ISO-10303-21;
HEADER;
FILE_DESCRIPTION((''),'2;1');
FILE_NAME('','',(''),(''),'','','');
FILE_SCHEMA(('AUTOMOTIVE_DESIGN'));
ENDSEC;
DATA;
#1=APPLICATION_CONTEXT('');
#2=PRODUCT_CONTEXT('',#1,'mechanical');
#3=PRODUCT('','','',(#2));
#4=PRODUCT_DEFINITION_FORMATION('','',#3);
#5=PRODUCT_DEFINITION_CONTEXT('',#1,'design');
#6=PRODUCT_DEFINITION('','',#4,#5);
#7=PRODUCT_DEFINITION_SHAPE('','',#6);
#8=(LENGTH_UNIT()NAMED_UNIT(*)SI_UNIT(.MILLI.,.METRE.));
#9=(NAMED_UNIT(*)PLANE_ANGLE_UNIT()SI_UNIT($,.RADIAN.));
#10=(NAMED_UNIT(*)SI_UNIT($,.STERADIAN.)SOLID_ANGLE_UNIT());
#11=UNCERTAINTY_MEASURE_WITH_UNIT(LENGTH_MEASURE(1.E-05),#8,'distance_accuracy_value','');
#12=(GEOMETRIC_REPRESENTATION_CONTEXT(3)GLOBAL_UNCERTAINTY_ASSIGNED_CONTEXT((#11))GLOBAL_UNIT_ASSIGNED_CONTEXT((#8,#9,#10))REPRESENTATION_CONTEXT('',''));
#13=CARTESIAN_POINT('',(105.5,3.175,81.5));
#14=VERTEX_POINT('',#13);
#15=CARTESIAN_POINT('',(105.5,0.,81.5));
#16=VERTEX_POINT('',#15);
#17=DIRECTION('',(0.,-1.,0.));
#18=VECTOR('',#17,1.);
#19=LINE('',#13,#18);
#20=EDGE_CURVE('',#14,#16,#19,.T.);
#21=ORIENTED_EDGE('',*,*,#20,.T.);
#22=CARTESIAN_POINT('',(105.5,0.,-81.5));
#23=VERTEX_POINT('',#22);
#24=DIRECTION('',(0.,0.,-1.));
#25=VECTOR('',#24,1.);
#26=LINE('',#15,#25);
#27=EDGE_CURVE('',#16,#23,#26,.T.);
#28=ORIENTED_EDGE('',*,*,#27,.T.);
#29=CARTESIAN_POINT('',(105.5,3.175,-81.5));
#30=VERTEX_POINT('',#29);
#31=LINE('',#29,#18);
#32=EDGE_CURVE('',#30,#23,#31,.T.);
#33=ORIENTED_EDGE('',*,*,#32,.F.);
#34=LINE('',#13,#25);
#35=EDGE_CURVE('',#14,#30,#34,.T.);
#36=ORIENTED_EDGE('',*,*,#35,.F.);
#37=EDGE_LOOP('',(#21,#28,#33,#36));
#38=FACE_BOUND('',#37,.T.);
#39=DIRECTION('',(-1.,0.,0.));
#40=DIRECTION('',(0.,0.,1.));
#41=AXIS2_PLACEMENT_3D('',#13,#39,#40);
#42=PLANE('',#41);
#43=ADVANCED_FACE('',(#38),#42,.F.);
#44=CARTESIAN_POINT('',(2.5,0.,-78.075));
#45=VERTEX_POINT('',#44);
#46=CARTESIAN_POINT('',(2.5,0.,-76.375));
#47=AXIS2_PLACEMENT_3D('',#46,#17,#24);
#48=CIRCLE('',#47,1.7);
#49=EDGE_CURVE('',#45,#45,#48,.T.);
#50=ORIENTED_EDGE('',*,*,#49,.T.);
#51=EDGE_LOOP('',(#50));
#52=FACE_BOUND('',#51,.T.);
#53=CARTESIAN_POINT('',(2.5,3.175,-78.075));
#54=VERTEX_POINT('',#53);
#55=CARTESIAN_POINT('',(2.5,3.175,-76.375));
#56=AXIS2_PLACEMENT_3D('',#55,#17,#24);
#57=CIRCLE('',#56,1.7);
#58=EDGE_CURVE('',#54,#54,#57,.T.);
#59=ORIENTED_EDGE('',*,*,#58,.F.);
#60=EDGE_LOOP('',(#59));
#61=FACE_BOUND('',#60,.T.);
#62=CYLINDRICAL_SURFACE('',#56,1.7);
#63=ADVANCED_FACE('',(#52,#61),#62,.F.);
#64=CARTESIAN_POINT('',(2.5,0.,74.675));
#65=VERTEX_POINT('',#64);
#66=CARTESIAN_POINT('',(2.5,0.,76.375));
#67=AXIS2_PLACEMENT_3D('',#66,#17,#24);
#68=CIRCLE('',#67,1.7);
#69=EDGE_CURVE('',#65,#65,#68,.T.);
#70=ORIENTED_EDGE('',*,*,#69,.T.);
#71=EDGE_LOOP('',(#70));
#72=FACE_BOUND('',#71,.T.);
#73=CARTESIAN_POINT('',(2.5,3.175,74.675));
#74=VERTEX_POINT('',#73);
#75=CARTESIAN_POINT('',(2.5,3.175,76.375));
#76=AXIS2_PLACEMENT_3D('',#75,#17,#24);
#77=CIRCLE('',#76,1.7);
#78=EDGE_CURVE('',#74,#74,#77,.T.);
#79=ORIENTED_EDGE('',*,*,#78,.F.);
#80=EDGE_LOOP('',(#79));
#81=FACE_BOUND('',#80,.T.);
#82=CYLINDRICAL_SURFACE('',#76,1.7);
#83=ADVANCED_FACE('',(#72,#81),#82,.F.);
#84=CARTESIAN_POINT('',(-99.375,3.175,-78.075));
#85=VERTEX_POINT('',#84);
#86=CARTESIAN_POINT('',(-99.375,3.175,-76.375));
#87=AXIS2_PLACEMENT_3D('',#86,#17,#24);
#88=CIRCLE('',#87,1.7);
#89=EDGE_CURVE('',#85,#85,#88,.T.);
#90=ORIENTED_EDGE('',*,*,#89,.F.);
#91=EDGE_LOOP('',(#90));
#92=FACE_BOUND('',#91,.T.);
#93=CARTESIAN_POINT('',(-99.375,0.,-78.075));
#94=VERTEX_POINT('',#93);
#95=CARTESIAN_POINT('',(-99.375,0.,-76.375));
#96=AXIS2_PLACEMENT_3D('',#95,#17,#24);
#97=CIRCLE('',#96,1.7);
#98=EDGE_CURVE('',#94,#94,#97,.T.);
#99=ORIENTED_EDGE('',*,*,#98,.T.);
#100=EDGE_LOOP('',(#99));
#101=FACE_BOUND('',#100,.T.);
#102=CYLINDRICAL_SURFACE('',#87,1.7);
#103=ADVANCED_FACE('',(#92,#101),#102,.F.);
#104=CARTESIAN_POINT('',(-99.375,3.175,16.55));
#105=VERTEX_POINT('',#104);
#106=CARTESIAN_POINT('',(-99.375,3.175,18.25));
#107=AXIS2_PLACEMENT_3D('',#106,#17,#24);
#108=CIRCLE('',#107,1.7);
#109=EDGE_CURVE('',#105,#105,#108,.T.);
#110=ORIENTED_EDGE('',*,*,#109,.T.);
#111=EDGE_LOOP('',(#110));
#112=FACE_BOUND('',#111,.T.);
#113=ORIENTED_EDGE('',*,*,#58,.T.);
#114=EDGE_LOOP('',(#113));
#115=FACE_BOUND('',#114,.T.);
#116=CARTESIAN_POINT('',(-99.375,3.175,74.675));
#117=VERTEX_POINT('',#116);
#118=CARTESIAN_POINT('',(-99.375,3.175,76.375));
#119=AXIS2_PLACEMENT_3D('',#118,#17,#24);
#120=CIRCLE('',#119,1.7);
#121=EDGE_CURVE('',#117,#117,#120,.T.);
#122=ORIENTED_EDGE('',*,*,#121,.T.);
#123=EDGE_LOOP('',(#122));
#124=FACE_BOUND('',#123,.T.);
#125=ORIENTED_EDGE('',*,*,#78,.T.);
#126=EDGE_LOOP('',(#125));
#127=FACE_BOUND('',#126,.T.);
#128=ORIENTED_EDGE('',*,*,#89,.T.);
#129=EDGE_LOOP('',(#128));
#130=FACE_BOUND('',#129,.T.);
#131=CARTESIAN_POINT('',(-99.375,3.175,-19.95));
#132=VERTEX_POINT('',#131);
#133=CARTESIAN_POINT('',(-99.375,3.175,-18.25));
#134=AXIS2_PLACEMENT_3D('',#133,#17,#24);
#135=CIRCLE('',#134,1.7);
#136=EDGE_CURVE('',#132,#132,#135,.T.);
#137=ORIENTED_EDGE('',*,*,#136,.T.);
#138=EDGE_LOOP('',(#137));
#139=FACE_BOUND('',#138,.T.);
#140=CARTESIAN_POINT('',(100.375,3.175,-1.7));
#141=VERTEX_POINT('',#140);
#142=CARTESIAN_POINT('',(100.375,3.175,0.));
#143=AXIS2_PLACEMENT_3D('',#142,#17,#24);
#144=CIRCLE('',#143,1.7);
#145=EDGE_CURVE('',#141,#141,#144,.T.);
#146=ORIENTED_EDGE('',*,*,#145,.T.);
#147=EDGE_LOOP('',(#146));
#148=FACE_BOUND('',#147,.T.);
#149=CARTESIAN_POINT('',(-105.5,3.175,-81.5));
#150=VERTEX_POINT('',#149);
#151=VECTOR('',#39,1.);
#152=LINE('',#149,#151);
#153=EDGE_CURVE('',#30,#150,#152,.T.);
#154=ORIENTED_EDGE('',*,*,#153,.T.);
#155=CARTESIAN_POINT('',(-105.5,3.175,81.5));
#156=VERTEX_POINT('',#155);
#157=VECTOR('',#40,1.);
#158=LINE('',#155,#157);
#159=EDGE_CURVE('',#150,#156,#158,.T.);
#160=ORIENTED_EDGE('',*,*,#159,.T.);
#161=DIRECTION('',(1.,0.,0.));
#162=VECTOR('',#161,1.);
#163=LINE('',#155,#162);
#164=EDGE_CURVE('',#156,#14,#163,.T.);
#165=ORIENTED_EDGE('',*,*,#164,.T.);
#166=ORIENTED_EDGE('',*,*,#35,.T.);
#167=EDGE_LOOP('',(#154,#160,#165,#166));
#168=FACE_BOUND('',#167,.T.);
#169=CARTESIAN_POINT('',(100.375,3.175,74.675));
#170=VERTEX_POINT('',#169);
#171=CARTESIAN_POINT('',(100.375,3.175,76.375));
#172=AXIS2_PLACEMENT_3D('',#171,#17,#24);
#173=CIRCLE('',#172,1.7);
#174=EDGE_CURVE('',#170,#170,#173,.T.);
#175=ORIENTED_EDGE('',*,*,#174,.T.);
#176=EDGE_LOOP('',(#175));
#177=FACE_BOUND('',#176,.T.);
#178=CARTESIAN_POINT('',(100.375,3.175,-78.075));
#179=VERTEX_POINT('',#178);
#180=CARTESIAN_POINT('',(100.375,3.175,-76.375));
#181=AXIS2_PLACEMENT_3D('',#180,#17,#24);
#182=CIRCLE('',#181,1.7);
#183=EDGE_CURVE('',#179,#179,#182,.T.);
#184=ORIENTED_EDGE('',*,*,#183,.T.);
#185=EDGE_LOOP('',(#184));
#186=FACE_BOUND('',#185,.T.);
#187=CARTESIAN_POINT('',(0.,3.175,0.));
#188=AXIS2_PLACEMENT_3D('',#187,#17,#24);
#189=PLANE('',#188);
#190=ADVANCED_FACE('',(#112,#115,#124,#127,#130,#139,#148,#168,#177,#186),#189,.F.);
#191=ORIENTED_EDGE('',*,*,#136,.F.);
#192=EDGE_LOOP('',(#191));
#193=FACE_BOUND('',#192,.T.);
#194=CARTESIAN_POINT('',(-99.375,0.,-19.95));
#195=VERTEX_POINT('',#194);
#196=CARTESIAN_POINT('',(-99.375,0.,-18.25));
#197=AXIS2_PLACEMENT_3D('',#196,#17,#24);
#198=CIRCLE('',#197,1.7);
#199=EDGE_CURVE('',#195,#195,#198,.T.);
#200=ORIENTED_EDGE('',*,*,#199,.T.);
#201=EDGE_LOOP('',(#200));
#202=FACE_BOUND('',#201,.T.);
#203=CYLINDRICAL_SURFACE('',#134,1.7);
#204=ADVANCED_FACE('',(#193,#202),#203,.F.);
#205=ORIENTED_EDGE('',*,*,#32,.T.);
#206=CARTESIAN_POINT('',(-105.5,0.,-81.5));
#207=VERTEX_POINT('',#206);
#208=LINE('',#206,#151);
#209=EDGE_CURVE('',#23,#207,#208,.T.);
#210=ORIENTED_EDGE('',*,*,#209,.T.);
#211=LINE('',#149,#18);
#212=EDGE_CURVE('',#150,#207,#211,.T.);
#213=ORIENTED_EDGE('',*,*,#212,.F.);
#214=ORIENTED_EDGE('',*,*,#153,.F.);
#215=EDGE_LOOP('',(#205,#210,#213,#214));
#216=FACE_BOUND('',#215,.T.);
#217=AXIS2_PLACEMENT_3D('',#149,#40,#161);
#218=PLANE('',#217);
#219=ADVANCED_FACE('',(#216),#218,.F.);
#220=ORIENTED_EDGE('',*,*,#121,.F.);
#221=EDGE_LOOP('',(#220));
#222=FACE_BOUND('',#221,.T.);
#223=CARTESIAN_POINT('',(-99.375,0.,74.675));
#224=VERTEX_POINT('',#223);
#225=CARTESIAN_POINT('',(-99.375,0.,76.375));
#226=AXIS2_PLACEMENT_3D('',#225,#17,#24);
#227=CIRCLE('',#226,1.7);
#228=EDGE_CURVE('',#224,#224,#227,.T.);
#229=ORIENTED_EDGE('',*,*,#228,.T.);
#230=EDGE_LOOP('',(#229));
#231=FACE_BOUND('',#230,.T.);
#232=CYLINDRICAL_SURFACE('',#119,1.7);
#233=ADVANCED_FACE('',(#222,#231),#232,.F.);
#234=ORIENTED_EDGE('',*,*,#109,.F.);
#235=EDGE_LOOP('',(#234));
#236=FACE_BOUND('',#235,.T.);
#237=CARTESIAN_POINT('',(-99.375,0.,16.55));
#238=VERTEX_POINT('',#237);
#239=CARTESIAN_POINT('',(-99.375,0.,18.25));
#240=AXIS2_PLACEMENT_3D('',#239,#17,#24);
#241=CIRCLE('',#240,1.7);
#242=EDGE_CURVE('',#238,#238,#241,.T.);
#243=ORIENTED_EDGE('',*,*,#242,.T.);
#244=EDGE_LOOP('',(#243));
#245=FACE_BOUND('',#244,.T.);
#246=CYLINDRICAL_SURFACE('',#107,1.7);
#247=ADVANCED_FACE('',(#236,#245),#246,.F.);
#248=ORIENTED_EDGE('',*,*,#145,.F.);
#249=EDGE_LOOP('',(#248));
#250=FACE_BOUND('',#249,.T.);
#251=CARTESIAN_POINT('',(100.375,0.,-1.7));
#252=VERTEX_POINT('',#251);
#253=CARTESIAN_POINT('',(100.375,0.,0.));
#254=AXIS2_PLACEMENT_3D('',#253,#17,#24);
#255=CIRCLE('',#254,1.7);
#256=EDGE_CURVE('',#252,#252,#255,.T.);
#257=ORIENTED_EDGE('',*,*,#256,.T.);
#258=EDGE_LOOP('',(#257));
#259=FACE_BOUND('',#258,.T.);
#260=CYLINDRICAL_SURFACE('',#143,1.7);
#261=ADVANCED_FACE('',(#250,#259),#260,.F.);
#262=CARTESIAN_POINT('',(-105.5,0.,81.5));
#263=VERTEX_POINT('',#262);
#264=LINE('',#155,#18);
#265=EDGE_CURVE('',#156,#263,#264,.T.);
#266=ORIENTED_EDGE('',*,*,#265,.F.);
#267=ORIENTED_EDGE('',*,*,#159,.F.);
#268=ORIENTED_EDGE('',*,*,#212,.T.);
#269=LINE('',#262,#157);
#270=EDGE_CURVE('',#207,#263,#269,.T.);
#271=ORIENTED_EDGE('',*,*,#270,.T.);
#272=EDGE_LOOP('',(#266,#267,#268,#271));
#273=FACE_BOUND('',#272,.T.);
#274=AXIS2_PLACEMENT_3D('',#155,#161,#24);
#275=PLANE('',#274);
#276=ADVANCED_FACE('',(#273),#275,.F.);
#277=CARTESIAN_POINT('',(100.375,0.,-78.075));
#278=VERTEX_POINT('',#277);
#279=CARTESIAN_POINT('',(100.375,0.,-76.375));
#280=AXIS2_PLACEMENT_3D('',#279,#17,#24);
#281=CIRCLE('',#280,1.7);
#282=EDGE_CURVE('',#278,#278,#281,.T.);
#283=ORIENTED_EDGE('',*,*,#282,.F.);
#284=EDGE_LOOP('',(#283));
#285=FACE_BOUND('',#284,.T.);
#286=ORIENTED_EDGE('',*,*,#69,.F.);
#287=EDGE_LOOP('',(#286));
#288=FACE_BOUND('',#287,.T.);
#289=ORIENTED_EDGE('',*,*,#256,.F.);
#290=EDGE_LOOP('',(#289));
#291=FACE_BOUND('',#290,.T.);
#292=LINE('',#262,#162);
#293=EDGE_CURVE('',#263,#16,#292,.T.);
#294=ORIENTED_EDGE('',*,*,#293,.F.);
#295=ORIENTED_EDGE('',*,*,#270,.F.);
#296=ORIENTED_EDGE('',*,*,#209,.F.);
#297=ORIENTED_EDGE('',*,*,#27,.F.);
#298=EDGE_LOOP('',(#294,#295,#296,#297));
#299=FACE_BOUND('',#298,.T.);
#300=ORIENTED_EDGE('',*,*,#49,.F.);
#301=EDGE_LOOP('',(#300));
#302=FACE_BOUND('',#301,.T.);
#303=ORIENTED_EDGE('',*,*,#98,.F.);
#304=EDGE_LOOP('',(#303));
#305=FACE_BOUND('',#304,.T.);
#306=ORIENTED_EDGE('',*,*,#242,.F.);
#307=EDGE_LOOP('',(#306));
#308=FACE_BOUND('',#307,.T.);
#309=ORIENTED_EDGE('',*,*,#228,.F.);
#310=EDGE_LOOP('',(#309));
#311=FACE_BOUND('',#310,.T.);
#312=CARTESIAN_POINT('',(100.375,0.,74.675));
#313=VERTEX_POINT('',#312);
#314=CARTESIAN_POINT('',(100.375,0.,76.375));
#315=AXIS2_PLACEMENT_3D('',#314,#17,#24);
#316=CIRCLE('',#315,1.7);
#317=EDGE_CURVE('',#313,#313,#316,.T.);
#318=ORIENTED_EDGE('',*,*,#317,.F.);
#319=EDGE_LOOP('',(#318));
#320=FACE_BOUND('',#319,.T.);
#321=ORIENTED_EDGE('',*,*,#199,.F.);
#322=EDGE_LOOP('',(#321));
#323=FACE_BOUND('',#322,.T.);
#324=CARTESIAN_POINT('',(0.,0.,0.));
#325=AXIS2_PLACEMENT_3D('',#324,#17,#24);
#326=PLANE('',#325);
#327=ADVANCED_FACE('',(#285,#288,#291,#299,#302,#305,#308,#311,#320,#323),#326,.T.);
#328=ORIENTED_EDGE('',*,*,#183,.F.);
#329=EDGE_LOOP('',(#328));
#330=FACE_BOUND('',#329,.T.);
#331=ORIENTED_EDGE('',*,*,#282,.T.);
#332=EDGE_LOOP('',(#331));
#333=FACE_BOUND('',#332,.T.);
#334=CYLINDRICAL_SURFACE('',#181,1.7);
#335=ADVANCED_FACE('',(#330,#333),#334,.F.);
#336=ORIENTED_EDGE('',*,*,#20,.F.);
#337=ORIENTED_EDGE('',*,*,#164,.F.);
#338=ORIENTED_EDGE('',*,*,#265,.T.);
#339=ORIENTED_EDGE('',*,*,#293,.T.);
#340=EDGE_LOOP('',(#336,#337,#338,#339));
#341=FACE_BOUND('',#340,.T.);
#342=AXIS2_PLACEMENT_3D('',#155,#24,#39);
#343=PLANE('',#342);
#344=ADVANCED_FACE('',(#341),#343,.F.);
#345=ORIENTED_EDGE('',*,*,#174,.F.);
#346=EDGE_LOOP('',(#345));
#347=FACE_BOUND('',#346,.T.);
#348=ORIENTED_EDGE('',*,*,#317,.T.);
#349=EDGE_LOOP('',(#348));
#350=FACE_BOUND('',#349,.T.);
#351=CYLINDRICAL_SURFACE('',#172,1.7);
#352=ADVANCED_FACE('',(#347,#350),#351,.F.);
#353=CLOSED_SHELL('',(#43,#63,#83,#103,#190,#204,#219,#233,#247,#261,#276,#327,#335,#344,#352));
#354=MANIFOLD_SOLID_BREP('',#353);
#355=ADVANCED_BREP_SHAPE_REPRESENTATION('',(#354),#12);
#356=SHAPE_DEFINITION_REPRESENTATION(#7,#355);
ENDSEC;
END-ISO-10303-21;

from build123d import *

# Parameters (mm, degrees)
SKETCH1_W           = 211
SKETCH1_H           = 163
BOSS_EXTRUDE1_DEPTH = 3.175
SKETCH2_R           = 1.7
CUT_EXTRUDE1_DEPTH  = 4.175


with BuildPart() as part:
    # Sketch1 → Boss-Extrude1 (new body)
    with BuildSketch(Plane(origin=(0, 0, 0), x_dir=(1, 0, 0), z_dir=(0, 1, 0))):
        Rectangle(SKETCH1_W, SKETCH1_H)
    extrude(amount=BOSS_EXTRUDE1_DEPTH)

    # Sketch2 → Cut-Extrude1 (cut, through all)
    with BuildSketch(Plane(origin=(0, 0, 0), x_dir=(-1, 0, 0), z_dir=(0, -1, 0))):
        with Locations((99.375, -76.375)):
            Circle(SKETCH2_R)
        with Locations((-2.5, -76.375)):
            Circle(SKETCH2_R)
        with Locations((-100.375, -76.375)):
            Circle(SKETCH2_R)
        with Locations((-100.375, 0)):
            Circle(SKETCH2_R)
        with Locations((-100.375, 76.375)):
            Circle(SKETCH2_R)
        with Locations((-2.5, 76.375)):
            Circle(SKETCH2_R)
        with Locations((99.375, 76.375)):
            Circle(SKETCH2_R)
        with Locations((99.375, 18.25)):
            Circle(SKETCH2_R)
        with Locations((99.375, -18.25)):
            Circle(SKETCH2_R)
    extrude(amount=-CUT_EXTRUDE1_DEPTH, mode=Mode.SUBTRACT)


solid = part.part
